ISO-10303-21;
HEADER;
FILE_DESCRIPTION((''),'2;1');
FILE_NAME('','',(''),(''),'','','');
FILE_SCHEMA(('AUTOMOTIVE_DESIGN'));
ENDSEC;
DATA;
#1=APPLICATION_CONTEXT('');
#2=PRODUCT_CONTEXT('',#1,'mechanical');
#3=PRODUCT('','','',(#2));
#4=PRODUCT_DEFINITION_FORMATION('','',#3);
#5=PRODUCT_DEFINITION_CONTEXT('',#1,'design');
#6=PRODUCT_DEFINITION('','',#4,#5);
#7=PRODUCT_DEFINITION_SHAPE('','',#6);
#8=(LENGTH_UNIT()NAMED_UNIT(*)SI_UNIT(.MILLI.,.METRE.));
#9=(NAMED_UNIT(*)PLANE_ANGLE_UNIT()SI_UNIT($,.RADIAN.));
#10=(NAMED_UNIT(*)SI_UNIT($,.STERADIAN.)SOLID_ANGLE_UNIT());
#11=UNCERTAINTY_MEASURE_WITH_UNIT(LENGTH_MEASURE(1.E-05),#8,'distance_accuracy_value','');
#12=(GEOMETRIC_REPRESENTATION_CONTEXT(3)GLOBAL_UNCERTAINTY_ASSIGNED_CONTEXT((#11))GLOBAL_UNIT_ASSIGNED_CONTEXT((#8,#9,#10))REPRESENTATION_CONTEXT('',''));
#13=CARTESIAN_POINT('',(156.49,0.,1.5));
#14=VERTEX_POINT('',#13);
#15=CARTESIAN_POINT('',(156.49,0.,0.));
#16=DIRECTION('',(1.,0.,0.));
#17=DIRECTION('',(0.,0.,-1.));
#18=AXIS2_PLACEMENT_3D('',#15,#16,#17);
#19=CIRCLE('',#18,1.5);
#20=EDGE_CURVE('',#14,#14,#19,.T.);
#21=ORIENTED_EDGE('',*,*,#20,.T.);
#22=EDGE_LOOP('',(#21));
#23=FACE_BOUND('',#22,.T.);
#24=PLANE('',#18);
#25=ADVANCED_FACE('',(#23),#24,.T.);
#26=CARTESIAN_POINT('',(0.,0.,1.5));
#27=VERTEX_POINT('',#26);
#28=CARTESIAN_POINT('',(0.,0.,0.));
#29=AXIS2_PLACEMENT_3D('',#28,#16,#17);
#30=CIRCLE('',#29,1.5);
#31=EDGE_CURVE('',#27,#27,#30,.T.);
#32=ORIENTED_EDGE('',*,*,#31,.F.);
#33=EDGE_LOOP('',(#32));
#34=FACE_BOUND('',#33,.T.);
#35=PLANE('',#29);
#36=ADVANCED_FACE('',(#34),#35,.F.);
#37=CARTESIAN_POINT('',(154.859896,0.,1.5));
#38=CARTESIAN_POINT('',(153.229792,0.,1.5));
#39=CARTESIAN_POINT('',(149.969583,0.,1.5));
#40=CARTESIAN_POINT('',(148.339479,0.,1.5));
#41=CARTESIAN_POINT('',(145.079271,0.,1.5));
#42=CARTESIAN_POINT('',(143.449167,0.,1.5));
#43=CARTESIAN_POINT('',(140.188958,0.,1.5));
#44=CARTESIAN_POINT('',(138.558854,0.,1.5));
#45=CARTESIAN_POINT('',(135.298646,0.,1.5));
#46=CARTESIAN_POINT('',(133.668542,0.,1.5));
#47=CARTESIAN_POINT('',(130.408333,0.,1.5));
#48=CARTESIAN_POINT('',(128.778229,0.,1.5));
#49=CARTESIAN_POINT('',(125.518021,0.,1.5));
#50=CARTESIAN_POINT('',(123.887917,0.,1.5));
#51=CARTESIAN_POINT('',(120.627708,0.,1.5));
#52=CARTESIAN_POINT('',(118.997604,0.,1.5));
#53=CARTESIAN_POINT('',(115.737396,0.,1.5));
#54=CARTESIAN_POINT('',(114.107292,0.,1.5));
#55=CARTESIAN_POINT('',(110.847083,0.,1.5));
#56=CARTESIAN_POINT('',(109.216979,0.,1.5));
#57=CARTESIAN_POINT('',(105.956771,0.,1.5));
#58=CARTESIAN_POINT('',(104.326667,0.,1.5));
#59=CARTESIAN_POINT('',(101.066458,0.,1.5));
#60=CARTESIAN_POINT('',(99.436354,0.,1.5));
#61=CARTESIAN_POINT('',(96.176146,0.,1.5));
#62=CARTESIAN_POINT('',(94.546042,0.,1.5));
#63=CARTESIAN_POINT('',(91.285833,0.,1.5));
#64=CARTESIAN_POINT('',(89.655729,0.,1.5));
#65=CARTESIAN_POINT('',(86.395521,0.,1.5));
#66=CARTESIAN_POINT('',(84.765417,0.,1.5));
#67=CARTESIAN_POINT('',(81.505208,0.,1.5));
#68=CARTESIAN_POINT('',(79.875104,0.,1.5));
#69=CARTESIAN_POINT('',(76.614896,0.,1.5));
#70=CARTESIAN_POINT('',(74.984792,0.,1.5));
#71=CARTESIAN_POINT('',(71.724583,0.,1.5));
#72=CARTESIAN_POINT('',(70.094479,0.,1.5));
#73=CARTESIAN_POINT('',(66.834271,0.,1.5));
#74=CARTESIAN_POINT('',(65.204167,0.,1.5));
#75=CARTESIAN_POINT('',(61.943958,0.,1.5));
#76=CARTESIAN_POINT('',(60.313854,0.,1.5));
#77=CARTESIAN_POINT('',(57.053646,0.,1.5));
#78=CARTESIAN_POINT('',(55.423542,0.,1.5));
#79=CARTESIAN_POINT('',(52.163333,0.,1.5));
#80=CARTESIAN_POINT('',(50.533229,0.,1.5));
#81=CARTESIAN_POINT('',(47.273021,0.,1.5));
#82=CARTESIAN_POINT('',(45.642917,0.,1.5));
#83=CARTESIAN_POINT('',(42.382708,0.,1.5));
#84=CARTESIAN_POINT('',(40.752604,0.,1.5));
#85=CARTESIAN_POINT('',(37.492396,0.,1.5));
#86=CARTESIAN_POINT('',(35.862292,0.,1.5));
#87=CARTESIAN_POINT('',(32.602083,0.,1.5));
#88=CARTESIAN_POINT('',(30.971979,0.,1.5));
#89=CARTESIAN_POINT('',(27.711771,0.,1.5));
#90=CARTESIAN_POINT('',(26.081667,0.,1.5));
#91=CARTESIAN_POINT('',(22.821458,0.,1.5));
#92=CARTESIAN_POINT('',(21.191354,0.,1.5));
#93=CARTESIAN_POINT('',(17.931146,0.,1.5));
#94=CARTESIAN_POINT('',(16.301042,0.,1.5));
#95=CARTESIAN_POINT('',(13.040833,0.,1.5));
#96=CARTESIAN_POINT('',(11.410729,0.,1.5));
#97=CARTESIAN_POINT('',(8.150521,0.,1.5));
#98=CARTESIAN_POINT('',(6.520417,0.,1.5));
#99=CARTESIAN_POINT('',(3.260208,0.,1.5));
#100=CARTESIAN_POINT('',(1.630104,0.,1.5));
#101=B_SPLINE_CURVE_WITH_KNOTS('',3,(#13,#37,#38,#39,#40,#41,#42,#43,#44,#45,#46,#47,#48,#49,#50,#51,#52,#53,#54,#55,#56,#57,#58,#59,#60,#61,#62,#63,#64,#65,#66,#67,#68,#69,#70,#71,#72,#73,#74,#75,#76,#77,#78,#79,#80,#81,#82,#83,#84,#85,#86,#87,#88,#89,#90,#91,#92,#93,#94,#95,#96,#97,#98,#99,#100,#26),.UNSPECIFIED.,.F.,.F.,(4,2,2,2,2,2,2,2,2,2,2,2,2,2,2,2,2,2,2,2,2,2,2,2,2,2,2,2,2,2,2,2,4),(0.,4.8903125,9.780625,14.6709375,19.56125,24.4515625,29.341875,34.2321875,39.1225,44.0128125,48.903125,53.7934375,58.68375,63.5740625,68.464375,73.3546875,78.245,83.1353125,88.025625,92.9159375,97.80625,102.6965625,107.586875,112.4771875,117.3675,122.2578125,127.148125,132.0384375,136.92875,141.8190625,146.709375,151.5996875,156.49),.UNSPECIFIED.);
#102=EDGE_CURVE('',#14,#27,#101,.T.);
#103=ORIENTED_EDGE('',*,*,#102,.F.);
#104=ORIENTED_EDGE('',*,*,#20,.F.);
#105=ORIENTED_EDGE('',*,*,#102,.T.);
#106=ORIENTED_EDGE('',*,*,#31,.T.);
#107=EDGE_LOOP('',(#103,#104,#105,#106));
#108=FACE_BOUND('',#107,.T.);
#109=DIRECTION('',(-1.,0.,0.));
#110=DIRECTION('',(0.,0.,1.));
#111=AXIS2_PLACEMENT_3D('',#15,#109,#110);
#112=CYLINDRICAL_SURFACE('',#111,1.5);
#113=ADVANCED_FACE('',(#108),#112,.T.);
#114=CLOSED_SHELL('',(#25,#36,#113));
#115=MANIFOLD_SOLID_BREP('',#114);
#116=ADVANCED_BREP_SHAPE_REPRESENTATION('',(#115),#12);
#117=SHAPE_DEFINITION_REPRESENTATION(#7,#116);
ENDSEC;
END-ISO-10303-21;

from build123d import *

# Parameters (mm, degrees)
SKETCH1_R           = 1.5
BOSS_EXTRUDE1_DEPTH = 156.49


with BuildPart() as part:
    # Sketch1 → Boss-Extrude1 (new body)
    with BuildSketch(Plane(origin=(0, 0, 0), x_dir=(0, 0, -1), z_dir=(1, 0, 0))):
        with Locations(Location((0, 0, 0), (0, 0, 180))):
            Circle(SKETCH1_R)
    extrude(amount=BOSS_EXTRUDE1_DEPTH)


solid = part.part
